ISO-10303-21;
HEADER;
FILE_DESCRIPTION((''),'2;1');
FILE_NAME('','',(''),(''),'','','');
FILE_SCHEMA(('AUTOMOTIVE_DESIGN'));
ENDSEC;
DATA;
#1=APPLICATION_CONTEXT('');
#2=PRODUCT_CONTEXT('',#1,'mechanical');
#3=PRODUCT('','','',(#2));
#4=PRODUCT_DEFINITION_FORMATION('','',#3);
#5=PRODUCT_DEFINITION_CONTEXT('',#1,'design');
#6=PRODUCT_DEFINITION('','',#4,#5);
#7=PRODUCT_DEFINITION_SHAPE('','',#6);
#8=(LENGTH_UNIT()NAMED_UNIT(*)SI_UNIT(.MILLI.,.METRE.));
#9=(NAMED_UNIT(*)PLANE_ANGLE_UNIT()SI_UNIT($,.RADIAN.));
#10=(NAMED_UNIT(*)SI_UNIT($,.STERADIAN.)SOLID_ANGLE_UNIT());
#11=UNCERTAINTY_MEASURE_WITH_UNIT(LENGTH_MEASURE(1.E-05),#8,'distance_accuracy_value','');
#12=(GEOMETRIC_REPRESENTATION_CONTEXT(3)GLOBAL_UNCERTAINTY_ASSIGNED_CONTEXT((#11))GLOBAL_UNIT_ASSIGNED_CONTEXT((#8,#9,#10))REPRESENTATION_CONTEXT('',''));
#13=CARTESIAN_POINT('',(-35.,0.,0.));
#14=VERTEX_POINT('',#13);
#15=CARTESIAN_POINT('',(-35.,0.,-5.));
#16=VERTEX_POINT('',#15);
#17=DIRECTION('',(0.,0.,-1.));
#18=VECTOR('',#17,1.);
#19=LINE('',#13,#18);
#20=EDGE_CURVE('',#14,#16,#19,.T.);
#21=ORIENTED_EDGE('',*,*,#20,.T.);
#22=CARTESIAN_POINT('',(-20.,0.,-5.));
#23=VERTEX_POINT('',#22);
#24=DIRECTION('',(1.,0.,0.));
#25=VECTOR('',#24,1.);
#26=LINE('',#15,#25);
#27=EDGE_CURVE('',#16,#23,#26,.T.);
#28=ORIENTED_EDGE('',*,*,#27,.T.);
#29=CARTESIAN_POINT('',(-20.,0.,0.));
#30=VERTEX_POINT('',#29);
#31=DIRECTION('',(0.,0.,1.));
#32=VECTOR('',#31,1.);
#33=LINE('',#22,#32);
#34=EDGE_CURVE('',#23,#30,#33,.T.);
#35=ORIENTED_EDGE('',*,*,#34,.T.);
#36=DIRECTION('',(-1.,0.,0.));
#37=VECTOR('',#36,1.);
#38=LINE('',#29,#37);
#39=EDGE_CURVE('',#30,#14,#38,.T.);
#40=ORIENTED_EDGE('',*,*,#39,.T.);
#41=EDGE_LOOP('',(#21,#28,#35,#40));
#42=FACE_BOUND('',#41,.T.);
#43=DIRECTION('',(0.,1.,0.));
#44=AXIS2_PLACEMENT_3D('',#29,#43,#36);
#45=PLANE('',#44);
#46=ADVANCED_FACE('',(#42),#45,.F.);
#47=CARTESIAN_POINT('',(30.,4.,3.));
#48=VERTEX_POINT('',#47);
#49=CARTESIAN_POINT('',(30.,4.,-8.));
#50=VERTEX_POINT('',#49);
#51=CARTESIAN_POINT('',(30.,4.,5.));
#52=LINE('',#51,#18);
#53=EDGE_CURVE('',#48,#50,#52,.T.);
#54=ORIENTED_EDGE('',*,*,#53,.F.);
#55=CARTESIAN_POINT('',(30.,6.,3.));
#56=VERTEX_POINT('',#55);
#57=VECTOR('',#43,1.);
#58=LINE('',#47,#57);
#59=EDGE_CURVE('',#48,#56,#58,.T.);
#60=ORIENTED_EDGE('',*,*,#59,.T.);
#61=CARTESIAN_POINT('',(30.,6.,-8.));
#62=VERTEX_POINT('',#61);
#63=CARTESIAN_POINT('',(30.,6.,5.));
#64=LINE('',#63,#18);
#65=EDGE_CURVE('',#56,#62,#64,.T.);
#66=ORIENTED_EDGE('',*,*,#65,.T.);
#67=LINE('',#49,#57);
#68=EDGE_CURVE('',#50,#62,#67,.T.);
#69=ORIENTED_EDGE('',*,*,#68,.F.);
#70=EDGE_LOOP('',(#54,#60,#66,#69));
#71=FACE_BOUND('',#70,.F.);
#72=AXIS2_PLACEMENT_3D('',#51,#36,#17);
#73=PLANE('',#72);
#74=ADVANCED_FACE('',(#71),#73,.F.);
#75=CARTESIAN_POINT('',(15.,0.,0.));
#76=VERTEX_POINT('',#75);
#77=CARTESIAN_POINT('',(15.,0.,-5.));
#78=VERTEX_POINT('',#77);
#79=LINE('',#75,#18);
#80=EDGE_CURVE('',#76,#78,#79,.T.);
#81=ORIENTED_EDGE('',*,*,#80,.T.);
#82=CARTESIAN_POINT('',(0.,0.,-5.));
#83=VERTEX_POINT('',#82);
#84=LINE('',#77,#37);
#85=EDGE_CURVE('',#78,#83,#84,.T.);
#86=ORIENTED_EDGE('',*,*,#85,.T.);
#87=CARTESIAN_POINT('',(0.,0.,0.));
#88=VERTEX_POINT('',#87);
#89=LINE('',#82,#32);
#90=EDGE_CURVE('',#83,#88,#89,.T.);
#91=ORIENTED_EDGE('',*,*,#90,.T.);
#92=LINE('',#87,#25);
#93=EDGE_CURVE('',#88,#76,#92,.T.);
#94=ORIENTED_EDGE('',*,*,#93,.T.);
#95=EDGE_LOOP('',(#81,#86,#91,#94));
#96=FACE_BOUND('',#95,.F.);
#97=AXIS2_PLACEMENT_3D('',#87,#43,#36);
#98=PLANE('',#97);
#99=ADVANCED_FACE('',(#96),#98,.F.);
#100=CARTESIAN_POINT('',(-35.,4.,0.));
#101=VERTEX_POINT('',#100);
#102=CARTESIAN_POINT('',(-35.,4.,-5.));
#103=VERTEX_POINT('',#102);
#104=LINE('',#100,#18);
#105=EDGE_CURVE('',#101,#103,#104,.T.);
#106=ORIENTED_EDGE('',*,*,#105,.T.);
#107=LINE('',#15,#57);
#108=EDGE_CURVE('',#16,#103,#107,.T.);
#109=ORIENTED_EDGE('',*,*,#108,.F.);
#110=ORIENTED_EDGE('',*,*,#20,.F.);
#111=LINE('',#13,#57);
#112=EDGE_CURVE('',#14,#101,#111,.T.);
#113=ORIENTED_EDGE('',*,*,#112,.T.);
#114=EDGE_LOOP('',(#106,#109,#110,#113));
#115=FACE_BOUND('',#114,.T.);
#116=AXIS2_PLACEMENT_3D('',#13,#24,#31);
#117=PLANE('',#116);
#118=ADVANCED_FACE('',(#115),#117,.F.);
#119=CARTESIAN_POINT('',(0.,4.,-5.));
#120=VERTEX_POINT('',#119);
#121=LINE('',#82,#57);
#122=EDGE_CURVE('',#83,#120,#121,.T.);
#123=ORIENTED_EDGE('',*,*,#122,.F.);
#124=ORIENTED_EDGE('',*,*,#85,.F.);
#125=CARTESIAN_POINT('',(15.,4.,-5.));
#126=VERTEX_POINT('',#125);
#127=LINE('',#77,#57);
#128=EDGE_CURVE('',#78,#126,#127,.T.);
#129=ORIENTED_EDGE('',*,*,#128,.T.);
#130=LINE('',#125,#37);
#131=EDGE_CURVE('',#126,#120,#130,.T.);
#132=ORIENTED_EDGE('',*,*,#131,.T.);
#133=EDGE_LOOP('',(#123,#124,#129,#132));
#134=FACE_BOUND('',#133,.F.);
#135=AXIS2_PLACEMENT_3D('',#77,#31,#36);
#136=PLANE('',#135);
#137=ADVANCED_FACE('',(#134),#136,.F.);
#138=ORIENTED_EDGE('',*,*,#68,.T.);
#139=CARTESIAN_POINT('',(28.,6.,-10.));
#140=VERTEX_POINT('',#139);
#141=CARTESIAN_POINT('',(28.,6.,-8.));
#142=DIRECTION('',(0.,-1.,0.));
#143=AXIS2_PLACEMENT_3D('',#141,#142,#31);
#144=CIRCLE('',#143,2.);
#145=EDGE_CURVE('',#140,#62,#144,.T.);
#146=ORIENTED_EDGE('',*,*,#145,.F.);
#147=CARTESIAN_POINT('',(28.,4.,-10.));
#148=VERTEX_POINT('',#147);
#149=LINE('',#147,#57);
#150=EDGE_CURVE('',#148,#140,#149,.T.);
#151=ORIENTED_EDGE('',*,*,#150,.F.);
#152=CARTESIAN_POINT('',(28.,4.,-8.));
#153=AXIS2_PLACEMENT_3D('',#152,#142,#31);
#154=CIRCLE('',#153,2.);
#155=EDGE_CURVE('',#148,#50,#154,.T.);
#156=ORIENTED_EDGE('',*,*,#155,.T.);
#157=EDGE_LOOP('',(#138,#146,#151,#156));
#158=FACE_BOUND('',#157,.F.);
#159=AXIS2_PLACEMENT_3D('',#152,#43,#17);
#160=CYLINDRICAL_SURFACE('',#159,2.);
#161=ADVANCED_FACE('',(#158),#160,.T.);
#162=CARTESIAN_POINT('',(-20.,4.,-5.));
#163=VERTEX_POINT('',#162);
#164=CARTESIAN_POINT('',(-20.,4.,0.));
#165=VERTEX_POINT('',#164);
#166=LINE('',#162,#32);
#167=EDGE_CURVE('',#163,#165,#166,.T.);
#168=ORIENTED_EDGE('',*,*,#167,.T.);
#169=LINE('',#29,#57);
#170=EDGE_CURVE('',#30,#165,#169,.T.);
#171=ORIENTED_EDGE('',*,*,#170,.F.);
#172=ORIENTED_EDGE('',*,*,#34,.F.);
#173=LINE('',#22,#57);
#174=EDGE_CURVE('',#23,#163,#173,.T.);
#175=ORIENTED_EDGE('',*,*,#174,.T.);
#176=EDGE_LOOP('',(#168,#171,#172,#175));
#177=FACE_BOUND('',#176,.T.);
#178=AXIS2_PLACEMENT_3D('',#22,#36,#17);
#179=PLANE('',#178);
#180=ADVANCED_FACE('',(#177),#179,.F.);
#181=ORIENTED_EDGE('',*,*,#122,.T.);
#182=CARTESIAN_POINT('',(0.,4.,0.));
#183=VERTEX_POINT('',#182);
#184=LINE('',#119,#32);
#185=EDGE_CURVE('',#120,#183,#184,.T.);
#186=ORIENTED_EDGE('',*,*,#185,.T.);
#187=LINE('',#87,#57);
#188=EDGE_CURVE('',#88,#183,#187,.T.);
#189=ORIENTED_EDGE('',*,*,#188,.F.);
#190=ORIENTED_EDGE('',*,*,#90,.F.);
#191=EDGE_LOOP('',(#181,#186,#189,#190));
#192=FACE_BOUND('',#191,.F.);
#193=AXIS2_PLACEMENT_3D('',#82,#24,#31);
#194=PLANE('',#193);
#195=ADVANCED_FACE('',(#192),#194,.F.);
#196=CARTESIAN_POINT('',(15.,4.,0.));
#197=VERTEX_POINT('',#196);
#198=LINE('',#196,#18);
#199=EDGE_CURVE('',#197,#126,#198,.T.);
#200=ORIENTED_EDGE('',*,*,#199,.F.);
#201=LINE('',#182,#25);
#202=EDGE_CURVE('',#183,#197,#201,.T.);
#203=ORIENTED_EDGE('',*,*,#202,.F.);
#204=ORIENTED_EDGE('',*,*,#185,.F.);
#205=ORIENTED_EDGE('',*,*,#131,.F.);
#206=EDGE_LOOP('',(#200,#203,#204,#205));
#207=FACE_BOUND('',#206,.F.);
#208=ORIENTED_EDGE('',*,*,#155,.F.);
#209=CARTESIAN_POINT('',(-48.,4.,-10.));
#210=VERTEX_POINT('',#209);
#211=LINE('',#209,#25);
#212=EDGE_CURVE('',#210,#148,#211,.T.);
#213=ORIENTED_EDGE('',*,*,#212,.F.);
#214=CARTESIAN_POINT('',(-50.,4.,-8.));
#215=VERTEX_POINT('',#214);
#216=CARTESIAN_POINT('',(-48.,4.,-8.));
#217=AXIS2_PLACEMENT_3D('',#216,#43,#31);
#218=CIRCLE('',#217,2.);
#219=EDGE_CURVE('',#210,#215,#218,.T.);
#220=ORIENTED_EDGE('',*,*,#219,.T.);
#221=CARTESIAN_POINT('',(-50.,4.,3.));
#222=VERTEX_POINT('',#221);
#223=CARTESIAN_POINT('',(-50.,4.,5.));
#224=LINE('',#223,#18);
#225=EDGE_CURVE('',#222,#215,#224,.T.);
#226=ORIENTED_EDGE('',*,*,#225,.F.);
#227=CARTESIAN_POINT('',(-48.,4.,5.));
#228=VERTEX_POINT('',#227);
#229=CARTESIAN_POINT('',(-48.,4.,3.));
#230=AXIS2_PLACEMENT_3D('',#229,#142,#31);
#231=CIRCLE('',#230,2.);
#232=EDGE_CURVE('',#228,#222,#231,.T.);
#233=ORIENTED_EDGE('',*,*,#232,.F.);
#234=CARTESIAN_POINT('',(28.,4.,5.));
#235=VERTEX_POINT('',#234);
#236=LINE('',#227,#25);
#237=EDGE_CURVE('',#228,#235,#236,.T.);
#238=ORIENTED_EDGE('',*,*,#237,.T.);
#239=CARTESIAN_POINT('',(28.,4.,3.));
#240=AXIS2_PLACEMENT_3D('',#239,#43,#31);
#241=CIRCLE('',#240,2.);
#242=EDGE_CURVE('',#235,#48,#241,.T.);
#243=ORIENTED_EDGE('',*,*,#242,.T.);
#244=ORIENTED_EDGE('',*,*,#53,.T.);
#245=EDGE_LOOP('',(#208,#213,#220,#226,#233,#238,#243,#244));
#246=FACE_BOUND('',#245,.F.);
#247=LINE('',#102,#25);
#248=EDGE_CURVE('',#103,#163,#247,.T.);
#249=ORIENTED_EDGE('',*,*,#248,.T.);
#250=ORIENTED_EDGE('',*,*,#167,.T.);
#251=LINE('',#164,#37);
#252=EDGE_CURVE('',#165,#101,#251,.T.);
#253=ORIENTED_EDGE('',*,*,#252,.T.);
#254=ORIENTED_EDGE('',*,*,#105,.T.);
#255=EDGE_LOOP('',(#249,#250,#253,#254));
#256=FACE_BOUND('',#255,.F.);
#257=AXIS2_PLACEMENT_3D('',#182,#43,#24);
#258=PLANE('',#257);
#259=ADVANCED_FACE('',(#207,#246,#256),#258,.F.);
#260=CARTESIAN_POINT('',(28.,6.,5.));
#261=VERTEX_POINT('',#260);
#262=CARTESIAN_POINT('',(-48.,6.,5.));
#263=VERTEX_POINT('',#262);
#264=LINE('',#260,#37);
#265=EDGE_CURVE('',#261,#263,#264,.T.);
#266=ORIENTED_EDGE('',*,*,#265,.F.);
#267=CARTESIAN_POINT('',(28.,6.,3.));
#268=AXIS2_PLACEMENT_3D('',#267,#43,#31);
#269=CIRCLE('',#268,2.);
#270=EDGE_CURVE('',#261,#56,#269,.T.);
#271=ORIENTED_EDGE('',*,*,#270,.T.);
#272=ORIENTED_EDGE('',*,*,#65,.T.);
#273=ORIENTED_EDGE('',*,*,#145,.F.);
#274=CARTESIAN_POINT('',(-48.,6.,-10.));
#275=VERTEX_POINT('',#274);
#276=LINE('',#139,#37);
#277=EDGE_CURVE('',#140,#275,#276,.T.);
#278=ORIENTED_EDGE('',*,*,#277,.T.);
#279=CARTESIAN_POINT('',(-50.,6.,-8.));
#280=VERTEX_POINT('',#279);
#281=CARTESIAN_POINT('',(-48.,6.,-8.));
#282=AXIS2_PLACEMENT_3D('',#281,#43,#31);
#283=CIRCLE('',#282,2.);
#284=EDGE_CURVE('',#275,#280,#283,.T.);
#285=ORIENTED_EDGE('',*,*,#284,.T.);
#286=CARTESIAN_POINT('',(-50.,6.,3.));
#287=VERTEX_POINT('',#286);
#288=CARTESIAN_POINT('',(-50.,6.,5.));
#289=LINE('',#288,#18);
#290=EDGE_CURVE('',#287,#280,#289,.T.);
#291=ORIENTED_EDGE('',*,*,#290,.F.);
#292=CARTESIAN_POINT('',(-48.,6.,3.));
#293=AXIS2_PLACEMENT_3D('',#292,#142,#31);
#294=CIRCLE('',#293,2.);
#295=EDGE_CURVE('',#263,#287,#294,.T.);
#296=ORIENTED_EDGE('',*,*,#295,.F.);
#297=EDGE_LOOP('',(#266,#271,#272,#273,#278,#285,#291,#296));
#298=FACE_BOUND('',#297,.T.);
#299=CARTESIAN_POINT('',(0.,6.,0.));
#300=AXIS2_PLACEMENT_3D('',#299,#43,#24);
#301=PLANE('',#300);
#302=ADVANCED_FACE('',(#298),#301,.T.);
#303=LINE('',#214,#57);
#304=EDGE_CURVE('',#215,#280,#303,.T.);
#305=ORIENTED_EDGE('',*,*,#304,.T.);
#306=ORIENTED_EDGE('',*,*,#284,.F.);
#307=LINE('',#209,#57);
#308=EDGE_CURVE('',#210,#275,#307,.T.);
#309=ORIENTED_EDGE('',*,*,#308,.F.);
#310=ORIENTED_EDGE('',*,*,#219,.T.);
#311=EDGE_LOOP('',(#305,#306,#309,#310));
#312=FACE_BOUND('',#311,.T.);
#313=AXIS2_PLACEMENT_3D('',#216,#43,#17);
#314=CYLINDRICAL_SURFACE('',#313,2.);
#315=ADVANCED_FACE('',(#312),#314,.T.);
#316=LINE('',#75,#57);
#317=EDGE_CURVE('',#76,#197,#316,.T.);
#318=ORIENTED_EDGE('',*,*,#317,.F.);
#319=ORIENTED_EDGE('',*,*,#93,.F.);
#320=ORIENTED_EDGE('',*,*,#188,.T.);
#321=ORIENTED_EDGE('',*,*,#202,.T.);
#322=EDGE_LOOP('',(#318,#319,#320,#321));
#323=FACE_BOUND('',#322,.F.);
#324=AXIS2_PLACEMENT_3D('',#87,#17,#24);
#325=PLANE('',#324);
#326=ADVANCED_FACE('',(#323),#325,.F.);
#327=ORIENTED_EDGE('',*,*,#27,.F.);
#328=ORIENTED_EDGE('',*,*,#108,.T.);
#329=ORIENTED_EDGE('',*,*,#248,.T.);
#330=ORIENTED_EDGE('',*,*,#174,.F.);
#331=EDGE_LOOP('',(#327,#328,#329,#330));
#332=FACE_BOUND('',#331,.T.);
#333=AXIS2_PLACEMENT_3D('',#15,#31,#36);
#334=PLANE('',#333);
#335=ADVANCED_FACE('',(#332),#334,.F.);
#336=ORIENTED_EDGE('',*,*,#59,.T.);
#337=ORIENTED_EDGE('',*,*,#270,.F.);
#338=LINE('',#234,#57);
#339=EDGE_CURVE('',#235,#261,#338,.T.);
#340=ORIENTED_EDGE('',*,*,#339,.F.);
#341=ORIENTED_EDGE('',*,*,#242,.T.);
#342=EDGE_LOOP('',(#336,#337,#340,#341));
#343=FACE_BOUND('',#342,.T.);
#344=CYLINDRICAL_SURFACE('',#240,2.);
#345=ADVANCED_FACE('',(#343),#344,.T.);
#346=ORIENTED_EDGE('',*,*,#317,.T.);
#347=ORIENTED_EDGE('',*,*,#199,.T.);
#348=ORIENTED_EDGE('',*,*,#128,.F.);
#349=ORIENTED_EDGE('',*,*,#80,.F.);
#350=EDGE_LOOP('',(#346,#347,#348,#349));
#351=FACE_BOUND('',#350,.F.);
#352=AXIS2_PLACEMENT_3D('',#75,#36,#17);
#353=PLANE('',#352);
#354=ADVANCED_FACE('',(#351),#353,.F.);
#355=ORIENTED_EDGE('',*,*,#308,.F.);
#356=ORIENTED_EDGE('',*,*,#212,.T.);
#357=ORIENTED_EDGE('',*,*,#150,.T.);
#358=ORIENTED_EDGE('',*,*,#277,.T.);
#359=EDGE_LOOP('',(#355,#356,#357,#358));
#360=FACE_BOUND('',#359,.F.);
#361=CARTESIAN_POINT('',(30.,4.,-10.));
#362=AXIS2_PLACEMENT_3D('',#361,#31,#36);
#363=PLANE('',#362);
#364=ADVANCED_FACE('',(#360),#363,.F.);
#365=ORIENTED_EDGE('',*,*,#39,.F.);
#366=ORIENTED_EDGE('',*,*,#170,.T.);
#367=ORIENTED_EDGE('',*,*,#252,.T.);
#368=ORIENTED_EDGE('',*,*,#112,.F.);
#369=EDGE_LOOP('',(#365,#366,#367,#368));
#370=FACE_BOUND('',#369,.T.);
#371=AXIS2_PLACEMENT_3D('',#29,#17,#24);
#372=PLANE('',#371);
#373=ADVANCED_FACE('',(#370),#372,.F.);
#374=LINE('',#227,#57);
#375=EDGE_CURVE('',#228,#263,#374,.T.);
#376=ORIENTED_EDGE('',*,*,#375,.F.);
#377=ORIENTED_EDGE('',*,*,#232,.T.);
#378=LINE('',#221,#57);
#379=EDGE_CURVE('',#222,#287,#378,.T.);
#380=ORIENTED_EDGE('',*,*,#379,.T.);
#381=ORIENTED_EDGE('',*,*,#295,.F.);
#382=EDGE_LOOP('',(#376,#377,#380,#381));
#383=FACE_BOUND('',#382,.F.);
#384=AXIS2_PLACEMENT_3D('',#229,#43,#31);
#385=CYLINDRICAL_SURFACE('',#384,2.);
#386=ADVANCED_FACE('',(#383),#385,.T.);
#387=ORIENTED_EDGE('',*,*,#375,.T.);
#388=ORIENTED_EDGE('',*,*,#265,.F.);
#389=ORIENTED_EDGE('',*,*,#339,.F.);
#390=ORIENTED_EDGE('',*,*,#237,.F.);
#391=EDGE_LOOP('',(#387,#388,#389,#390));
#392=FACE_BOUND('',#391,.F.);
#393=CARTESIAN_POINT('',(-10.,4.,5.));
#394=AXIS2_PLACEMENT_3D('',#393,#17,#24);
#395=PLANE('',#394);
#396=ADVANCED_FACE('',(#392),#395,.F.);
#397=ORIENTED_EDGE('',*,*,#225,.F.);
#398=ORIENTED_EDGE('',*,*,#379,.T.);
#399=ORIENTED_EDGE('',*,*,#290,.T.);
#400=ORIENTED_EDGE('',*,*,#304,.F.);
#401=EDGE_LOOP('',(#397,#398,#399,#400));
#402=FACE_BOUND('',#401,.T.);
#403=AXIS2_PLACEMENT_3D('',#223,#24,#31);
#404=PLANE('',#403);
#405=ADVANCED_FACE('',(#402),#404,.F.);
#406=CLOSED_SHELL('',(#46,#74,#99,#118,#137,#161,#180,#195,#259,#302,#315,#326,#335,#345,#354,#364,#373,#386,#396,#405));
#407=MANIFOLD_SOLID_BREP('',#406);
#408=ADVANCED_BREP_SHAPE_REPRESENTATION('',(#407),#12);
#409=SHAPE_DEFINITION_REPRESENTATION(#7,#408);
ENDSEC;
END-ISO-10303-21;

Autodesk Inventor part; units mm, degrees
ref_plane "YZ Plane" through (0, 0, 0) normal (1, 0, 0) x (0, 1, 0)
ref_plane "XZ Plane" through (0, 0, 0) normal (0, 1, 0) x (-1, 0, 0)
ref_plane "XY Plane" through (0, 0, 0) normal (0, 0, 1) x (1, 0, 0)
sketch "Эскиз1" plane through (0, 0, 0) normal (0, 1, 0) x (-1, 0, 0)
  line L0 (0, 0) -> (-15, 0)
  line L1 (-15, 0) -> (-15, -5)
  line L2 (-15, -5) -> (0, -5)
  line L3 (0, -5) -> (0, 0)
  dimension "d0" = 5
  dimension "d1" = 15
extrude "Выдавливание1" add sketch "Эскиз1" along normal blind 4
sketch "Эскиз2" plane through (0, 4, 0) normal (0, 1, 0) x (1, 0, 0)
  line L0 (-10, -5) -> (30, -5)
  line L1 (30, -5) -> (30, 10)
  line L2 (30, 10) -> (-10, 10)
  line L3 (-10, 10) -> (-10, -5)
  line L4 (-10, 2.5) -> (-4.0843, 2.5)
  line L5 (0, 5) -> (0, 0) projected
  line L6 (0, 2.5) -> (15, 2.5)
  line L7 (15, 0) -> (15, 5) projected
  dimension "d4" = 10
  dimension "d5" = 5
  dimension "d6" = 15
extrude "Выдавливание2" add sketch "Эскиз2" along normal blind 2
fillet "Сопряжение1" radius 2 2 edges at (30, 5, 5) (30, 5, -10)
mirror "Зеркальное отражение1" about plane through (-10, 4, -10) normal (-1, 0, 0)
properties part number "верхняя защелка башни"
